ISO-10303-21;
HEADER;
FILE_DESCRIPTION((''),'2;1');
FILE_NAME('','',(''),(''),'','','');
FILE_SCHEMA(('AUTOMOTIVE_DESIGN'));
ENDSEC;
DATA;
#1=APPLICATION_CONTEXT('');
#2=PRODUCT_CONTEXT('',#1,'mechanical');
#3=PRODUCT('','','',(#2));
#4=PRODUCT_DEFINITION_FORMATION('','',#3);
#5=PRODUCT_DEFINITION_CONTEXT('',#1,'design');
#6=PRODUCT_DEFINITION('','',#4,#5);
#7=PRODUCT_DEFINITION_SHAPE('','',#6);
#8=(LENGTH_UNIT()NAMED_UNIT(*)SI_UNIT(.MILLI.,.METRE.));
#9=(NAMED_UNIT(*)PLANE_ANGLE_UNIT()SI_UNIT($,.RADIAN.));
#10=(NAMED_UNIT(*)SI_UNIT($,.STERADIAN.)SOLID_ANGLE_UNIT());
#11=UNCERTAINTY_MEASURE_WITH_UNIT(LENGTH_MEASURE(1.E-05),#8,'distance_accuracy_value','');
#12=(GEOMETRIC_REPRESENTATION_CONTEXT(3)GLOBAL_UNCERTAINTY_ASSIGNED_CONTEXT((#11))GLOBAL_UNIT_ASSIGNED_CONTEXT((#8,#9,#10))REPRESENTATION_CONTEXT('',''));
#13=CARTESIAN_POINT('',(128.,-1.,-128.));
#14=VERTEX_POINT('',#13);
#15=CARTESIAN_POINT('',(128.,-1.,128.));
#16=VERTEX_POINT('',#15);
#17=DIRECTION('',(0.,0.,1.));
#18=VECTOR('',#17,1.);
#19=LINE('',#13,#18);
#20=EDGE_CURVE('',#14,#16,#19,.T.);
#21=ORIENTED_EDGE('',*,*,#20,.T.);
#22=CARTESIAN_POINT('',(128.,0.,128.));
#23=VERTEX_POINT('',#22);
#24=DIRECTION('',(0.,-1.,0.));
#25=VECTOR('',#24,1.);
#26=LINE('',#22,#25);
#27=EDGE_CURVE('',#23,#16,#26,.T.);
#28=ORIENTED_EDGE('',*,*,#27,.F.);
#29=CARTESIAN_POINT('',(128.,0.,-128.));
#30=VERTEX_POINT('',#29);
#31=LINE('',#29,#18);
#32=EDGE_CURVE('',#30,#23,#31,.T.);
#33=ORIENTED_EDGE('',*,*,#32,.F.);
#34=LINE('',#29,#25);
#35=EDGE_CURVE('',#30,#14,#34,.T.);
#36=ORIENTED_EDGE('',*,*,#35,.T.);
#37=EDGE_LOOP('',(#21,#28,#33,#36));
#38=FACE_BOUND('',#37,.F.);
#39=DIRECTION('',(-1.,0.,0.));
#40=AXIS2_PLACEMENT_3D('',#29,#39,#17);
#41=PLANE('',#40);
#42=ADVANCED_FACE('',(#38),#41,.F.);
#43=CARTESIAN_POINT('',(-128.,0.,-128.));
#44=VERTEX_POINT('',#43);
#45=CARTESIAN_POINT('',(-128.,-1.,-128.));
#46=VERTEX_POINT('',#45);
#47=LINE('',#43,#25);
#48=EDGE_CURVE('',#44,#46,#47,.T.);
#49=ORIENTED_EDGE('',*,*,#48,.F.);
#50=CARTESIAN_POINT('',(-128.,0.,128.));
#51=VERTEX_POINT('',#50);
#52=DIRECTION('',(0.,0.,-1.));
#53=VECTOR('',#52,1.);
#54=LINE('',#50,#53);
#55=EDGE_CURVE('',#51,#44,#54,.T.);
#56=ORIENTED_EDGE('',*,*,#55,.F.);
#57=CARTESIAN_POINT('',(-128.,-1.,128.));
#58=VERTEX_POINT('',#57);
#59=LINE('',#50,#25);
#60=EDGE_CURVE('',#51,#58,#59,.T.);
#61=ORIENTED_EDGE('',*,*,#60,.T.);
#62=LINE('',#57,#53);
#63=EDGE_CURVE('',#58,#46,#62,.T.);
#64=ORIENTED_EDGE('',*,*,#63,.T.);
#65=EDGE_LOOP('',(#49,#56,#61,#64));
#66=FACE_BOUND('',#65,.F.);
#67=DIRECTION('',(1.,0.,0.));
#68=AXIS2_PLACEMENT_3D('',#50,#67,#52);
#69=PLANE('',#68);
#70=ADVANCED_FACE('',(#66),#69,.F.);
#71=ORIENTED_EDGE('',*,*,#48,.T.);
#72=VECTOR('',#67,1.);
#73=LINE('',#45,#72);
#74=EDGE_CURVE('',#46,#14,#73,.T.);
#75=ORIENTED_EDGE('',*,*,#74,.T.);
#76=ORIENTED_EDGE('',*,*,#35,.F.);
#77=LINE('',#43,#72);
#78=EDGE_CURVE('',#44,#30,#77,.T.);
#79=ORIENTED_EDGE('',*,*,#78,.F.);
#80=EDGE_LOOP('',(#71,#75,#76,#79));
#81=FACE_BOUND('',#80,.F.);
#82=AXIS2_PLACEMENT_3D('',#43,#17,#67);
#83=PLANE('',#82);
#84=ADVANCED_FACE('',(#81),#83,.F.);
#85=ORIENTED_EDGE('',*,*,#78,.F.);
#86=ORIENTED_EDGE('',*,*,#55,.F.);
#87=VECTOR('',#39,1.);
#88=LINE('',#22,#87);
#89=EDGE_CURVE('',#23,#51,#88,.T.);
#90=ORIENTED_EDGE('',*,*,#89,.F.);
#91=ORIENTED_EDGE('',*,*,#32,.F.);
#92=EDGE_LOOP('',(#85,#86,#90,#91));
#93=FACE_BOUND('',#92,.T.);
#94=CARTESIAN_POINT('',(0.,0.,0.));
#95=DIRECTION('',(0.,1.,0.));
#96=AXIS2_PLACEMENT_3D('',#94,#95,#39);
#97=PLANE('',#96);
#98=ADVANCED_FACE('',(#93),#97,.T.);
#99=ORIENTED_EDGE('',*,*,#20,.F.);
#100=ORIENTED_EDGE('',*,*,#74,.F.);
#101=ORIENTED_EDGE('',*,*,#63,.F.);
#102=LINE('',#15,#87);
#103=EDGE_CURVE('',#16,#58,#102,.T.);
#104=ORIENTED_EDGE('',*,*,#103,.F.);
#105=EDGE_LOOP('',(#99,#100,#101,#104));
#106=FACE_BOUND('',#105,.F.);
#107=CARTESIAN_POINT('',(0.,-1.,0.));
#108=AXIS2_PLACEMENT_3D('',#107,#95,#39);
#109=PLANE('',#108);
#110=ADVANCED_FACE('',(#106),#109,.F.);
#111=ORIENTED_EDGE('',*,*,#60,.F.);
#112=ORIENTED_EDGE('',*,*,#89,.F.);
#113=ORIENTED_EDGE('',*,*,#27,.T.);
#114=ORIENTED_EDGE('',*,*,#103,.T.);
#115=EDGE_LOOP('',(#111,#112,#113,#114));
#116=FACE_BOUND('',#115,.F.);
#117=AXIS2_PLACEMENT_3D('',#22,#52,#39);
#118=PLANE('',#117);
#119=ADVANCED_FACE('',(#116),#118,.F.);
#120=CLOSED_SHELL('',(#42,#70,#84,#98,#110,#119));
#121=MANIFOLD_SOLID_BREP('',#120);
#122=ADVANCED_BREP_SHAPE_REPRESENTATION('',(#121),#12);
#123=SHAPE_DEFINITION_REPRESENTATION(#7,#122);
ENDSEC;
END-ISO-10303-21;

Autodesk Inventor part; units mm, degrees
ref_plane "YZ Plane" through (0, 0, 0) normal (1, 0, 0) x (0, 1, 0)
ref_plane "XZ Plane" through (0, 0, 0) normal (0, 1, 0) x (-1, 0, 0)
ref_plane "XY Plane" through (0, 0, 0) normal (0, 0, 1) x (1, 0, 0)
sketch "Sketch1" plane through (0, 0, 0) normal (0, 1, 0) x (-1, 0, 0)
  line L0 (-128, 128) -> (128, 128)
  line L1 (128, 128) -> (128, -128)
  line L2 (128, -128) -> (-128, -128)
  line L3 (-128, -128) -> (-128, 128)
  line L4 (-128, 128) -> (128, -128) construction
  line L5 (128, 128) -> (-128, -128) construction
  point P0 (0, 0)
  dimension "d0" = 256
  dimension "d1" = 256
extrude "Extrusion1" add sketch "Sketch1" against normal blind 1
properties part number "base plate"
